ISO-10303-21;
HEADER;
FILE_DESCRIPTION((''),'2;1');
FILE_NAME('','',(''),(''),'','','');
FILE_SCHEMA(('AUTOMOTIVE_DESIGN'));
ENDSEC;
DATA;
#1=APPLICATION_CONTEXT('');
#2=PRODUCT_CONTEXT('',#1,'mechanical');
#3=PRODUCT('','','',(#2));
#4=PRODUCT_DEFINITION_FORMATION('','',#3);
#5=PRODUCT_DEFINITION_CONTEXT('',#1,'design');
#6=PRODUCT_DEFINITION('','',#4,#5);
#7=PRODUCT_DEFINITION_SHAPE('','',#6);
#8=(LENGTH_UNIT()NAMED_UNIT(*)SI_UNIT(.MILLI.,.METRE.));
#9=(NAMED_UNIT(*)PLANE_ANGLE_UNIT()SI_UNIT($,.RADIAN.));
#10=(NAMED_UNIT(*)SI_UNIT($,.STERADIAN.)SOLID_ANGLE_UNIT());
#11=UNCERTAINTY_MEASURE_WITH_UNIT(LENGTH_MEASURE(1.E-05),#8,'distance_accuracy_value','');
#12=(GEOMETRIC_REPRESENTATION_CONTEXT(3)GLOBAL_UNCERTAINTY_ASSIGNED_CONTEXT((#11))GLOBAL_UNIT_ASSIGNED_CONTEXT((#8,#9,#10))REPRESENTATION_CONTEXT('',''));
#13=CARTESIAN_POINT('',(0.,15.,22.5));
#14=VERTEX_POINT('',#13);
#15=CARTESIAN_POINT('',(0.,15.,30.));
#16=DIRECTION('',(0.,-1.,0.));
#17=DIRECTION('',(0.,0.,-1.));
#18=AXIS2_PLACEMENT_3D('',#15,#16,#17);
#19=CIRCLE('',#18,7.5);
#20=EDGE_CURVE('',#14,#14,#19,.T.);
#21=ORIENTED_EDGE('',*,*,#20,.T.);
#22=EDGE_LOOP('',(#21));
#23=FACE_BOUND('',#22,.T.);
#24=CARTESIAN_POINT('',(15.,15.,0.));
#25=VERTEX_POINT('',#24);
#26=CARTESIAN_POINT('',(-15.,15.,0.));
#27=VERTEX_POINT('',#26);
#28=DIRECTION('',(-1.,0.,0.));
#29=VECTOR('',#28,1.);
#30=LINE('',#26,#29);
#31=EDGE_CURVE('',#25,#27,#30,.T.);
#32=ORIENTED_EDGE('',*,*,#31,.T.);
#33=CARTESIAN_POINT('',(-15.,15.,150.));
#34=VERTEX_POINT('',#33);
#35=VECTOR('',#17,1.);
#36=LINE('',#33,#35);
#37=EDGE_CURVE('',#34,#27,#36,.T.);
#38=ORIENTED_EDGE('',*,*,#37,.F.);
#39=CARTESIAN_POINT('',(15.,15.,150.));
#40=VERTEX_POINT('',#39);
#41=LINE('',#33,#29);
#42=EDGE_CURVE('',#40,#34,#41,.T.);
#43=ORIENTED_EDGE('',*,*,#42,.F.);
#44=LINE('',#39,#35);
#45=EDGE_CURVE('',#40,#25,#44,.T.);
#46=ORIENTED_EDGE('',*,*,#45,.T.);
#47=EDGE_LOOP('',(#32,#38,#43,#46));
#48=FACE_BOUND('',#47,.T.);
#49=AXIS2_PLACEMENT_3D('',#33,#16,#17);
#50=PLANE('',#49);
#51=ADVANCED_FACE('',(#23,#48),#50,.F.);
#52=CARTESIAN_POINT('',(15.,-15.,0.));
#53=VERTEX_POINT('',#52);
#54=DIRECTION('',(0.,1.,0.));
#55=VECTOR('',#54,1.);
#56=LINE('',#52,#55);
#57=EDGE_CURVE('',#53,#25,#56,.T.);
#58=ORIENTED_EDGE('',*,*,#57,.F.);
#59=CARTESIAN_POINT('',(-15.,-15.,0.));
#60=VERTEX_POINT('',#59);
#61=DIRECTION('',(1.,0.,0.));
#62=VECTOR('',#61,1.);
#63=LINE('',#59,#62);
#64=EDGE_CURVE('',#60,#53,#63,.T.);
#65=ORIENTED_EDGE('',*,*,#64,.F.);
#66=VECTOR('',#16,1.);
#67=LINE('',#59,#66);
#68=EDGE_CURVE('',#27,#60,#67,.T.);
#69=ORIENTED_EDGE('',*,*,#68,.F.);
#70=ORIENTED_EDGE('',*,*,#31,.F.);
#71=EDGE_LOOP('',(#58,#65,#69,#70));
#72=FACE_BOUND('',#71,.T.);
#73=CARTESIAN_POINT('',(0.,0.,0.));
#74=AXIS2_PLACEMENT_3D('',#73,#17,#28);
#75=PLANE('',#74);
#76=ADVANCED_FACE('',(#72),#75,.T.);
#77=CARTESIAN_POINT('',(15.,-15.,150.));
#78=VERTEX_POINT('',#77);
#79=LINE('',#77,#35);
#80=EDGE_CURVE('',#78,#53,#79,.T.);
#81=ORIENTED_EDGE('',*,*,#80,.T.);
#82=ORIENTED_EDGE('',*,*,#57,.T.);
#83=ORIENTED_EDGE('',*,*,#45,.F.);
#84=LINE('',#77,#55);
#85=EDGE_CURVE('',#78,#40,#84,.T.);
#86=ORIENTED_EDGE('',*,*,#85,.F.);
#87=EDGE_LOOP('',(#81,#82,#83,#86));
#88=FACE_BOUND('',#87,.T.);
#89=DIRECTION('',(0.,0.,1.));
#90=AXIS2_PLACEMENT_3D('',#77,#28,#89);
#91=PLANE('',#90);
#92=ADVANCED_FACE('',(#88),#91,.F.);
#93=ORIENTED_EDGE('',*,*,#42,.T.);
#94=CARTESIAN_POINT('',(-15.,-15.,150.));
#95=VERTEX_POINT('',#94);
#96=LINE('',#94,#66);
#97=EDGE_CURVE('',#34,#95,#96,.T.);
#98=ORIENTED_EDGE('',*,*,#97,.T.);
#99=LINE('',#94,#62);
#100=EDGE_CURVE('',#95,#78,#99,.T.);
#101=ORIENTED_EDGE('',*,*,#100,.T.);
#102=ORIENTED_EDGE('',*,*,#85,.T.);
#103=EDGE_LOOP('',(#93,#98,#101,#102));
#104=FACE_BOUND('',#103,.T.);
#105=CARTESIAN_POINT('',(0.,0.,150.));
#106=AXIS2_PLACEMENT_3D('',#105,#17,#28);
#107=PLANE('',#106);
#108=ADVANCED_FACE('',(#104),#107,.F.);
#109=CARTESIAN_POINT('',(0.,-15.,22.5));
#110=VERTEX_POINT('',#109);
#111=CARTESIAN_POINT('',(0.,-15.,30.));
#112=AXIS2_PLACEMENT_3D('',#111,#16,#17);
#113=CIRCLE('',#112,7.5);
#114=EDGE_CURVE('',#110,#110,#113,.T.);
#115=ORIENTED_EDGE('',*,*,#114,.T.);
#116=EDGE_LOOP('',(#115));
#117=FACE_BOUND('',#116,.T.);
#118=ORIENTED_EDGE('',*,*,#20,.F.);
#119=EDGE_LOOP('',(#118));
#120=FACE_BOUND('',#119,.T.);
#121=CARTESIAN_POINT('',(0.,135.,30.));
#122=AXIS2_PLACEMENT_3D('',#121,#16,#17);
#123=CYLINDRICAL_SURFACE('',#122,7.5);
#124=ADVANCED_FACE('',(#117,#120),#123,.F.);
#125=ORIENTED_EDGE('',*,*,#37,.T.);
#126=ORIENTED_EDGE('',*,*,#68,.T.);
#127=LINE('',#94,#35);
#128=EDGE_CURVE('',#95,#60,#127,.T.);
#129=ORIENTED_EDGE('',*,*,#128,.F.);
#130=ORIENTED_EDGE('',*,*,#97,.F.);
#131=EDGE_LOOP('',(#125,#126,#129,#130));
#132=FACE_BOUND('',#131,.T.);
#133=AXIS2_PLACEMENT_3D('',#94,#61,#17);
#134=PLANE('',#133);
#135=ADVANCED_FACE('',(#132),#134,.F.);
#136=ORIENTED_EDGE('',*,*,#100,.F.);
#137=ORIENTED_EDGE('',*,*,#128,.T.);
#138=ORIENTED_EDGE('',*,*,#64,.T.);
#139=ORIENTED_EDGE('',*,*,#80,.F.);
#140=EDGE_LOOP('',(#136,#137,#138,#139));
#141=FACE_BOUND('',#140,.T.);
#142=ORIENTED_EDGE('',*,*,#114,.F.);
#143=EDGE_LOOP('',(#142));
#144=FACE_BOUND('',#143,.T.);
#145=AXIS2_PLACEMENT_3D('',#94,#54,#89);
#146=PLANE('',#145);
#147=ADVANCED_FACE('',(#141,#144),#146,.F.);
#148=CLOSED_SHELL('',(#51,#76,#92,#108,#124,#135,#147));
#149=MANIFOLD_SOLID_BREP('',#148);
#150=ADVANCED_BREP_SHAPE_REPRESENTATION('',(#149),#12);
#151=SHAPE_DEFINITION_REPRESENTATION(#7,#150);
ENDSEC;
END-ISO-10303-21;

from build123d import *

# Parameters (mm, degrees)
SKETCH1_W           = 30
SKETCH1_H           = 30
BOSS_EXTRUDE1_DEPTH = 150
SKETCH2_R           = 7.5
CUT_EXTRUDE1_DEPTH  = 150


with BuildPart() as part:
    # Sketch1 → Boss-Extrude1 (new body)
    with BuildSketch(Plane.XY):
        Rectangle(SKETCH1_W, SKETCH1_H)
    extrude(amount=BOSS_EXTRUDE1_DEPTH)

    # Sketch2 → Cut-Extrude1 (cut)
    with BuildSketch(Plane.XZ.offset(15)):
        with Locations(Location((0, 30, 0), (0, 0, 270))):
            Circle(SKETCH2_R)
    extrude(amount=-CUT_EXTRUDE1_DEPTH, mode=Mode.SUBTRACT)


solid = part.part
